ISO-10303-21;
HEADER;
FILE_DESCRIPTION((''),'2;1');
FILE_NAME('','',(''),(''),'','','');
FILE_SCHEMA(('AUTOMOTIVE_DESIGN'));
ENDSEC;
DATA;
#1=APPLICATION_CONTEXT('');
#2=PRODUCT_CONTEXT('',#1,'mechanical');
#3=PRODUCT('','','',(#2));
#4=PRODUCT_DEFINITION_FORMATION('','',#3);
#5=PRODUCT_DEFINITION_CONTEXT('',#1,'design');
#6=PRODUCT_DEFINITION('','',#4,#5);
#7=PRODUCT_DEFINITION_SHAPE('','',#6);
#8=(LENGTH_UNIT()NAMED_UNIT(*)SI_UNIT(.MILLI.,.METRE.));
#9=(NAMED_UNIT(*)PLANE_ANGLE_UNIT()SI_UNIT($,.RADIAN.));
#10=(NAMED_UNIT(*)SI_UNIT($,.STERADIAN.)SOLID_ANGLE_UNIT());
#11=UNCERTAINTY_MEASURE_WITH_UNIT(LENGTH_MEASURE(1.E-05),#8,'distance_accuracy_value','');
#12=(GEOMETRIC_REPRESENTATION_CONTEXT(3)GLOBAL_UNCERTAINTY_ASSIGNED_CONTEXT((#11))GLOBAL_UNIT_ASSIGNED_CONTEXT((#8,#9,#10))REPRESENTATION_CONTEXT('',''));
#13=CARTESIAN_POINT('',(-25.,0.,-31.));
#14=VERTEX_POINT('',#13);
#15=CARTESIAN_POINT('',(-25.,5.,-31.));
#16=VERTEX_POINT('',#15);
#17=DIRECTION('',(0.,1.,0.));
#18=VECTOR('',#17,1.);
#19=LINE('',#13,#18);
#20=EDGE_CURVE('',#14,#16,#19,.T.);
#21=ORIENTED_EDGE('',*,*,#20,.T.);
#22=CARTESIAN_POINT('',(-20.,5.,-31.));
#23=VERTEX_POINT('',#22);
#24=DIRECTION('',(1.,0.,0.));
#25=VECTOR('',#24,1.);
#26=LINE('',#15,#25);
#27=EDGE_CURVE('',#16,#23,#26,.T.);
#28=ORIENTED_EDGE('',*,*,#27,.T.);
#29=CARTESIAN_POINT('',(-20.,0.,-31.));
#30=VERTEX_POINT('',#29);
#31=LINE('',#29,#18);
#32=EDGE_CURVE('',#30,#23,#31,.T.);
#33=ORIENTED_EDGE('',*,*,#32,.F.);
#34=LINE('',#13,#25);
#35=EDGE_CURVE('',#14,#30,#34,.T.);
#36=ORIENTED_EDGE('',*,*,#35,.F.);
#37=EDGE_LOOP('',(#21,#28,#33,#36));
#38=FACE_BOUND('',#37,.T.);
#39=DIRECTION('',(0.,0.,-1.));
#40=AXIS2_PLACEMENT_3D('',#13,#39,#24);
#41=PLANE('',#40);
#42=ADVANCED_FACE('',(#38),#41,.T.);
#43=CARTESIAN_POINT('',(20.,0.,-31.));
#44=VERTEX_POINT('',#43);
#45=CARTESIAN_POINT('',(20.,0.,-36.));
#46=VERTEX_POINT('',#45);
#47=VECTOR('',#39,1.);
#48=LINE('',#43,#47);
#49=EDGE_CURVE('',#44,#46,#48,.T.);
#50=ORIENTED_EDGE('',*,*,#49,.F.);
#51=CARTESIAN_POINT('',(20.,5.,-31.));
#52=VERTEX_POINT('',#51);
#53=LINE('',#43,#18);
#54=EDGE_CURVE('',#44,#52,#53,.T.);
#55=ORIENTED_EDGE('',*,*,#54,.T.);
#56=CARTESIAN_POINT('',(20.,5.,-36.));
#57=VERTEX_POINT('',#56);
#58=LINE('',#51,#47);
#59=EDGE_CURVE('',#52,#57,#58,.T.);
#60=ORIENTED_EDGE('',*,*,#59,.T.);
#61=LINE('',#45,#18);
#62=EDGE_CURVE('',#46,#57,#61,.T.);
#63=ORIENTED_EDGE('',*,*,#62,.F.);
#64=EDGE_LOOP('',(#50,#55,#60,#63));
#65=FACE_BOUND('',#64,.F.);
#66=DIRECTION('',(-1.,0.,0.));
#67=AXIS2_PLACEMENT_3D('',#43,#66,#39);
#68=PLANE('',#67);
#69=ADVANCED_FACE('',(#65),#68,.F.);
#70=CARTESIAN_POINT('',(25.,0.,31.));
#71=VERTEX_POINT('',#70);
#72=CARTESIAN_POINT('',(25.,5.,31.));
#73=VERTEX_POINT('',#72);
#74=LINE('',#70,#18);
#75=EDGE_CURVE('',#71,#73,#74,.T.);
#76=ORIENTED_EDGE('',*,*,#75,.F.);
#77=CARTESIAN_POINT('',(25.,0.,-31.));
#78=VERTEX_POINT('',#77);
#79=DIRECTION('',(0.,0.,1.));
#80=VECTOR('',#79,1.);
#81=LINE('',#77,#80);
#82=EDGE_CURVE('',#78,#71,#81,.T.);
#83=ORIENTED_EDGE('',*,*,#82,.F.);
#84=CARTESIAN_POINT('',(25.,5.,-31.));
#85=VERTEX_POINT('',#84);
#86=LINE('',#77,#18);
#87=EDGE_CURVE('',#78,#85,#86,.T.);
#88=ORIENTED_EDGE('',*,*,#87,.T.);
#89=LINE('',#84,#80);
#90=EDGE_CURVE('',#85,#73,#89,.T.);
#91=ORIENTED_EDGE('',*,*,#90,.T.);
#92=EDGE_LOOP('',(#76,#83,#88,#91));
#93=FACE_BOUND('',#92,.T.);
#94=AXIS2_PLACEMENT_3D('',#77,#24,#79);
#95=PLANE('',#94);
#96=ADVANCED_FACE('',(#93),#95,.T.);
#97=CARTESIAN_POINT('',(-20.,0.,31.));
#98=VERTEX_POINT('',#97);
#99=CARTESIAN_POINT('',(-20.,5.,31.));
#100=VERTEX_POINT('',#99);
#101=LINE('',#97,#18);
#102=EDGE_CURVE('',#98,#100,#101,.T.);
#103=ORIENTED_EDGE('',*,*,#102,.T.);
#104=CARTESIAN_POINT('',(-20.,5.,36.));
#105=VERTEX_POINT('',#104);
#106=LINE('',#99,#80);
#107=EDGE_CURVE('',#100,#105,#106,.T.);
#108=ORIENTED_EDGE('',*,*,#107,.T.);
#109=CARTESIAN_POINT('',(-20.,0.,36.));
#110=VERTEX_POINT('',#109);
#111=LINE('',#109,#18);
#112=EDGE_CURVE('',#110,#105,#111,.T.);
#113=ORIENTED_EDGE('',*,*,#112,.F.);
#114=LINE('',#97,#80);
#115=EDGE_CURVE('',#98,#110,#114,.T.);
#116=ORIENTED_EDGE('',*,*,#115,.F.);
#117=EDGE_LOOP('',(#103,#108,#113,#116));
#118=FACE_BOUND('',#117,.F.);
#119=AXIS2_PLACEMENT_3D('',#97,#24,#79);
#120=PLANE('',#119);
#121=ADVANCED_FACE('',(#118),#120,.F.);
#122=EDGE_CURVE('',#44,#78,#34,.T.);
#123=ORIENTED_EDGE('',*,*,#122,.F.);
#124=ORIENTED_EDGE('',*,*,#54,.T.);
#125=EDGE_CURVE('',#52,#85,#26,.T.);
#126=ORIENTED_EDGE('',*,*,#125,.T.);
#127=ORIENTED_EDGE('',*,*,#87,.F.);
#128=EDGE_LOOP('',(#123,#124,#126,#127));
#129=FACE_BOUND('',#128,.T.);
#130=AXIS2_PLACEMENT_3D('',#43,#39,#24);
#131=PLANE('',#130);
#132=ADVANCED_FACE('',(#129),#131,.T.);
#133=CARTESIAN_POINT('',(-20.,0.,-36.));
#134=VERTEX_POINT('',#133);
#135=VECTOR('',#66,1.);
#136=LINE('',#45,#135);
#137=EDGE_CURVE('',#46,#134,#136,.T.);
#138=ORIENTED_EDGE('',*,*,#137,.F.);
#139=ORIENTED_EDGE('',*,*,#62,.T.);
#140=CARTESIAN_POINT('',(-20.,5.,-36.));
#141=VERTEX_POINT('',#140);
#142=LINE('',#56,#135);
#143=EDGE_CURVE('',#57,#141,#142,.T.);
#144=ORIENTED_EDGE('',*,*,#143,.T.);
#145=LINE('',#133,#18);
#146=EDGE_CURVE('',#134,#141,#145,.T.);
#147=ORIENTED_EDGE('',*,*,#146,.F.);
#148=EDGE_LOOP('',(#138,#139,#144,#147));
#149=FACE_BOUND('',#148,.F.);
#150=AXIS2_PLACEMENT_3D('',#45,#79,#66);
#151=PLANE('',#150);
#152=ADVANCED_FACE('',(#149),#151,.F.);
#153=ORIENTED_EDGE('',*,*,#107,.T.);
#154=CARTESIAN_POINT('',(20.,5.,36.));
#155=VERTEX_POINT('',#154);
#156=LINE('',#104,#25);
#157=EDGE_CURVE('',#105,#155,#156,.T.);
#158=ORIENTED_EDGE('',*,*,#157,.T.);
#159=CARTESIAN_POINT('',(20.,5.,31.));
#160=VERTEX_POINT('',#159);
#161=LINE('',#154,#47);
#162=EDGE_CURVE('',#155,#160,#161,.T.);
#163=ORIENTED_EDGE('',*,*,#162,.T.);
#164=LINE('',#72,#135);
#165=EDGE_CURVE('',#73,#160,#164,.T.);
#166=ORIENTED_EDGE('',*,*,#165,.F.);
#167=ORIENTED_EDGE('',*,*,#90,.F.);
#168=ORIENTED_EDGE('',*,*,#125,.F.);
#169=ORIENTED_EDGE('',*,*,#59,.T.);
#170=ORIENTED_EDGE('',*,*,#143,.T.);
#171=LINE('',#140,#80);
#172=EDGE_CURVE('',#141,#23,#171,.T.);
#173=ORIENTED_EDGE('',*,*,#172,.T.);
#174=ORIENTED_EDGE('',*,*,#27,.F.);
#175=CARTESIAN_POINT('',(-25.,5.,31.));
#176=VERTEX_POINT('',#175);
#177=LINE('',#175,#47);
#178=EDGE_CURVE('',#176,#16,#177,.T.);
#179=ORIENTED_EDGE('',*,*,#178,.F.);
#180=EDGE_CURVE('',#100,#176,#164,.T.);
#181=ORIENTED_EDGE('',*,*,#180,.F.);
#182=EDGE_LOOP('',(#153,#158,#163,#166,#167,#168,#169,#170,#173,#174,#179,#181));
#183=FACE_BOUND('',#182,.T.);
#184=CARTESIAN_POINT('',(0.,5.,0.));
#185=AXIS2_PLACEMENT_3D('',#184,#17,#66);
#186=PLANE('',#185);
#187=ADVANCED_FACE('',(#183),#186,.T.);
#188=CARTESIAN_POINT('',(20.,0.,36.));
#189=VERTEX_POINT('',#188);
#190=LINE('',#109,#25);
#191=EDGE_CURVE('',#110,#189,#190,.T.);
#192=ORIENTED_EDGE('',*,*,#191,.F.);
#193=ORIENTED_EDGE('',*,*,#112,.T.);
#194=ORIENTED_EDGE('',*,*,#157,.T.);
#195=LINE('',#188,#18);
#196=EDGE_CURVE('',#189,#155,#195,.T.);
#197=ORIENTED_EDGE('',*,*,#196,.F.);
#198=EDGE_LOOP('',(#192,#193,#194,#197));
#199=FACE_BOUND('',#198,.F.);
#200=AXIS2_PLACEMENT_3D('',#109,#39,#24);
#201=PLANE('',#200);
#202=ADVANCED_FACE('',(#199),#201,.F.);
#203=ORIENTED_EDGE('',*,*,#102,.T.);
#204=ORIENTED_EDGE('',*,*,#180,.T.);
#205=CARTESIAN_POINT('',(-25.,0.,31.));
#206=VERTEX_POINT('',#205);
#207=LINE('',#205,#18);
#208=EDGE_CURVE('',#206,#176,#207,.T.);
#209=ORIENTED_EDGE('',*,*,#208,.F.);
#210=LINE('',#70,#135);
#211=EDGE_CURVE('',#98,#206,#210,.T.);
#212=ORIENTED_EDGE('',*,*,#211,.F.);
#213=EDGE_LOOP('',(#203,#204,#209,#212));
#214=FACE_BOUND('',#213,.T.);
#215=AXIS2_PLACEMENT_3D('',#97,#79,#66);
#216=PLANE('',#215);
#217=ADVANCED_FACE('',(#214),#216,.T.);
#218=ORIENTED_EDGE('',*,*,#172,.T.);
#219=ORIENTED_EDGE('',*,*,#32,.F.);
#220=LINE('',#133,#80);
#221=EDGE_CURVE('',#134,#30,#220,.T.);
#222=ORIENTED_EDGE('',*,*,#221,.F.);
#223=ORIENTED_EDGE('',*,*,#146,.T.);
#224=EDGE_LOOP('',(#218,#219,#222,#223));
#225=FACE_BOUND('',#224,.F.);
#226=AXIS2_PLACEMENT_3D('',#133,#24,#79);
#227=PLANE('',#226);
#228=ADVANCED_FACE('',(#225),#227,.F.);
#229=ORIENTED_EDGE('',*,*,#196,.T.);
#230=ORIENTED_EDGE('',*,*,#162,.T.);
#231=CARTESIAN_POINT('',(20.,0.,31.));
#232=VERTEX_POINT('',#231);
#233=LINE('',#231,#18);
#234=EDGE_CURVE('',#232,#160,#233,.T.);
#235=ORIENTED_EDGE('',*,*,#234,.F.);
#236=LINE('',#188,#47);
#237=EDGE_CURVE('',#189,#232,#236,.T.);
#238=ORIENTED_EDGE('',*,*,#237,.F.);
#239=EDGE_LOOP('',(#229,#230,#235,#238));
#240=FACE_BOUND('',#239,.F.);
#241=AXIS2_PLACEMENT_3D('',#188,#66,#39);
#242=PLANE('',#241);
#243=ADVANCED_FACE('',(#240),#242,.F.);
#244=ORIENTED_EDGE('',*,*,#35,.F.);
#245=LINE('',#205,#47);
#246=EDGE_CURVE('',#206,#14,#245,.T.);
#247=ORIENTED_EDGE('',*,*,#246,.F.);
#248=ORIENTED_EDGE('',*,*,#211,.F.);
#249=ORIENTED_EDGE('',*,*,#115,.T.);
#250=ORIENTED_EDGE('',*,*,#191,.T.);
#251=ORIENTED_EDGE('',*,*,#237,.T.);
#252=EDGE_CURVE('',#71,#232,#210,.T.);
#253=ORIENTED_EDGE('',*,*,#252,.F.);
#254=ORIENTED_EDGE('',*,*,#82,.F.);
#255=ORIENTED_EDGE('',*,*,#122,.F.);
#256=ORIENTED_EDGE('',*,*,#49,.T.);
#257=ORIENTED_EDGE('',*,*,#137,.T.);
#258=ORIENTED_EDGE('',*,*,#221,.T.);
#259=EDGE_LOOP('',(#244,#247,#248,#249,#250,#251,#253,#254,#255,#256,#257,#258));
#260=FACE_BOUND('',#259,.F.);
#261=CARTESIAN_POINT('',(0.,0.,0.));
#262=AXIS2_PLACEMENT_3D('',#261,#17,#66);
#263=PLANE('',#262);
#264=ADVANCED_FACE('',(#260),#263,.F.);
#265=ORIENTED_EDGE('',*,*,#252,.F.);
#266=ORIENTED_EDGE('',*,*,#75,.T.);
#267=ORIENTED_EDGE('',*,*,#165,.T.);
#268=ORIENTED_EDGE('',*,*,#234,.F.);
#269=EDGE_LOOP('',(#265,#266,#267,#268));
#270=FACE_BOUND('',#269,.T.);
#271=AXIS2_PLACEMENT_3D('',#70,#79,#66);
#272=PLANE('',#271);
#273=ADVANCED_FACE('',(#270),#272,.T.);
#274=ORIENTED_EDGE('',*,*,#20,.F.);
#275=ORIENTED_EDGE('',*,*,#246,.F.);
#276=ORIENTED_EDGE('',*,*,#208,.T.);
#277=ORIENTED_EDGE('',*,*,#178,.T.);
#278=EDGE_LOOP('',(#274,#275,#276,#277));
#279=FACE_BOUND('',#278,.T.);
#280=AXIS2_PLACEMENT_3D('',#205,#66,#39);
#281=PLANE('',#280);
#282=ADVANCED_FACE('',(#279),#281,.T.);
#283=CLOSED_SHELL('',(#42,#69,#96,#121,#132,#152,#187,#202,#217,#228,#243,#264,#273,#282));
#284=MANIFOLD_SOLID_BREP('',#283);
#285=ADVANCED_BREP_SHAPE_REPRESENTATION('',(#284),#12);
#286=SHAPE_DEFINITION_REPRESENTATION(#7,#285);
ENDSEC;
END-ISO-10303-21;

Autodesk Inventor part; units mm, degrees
ref_plane "YZ Plane" through (0, 0, 0) normal (1, 0, 0) x (0, 1, 0)
ref_plane "XZ Plane" through (0, 0, 0) normal (0, 1, 0) x (-1, 0, 0)
ref_plane "XY Plane" through (0, 0, 0) normal (0, 0, 1) x (1, 0, 0)
sketch "Sketch1" plane through (0, 0, 0) normal (0, 1, 0) x (-1, 0, 0)
  line L0 (25, -31) -> (-25, -31)
  line L1 (-25, -31) -> (-25, 31)
  line L2 (-25, 31) -> (25, 31)
  line L3 (25, 31) -> (25, -31)
  line L4 (25, -31) -> (-25, 31) construction
  line L5 (-25, -31) -> (25, 31) construction
  line L6 (-20, -36) -> (20, -36)
  line L7 (20, -36) -> (20, -31)
  line L8 (20, -31) -> (-20, -31)
  line L9 (-20, -31) -> (-20, -36)
  line L10 (-20, -36) -> (20, -31) construction
  line L11 (20, -36) -> (-20, -31) construction
  line L12 (-20, 31) -> (20, 31)
  line L13 (20, 31) -> (20, 36)
  line L14 (20, 36) -> (-20, 36)
  line L15 (-20, 36) -> (-20, 31)
  line L16 (-20, 31) -> (20, 36) construction
  line L17 (20, 31) -> (-20, 36) construction
  line L18 (0, 0) -> (0, -31) construction
  line L19 (0, -33.5) -> (0, -36) construction
  line L20 (0, 33.5) -> (0, 31) construction
  point P0 (-20, 31)
  point P1 (-20, -31)
  point P2 (20, -31)
  point P3 (20, 31)
  dimension "d0" = 5
  dimension "d1" = 5
  dimension "d2" = 40
  dimension "d3" = 40
  dimension "d4" = 62
  dimension "d5" = 50
extrude "Extrusion1" add sketch "Sketch1" along normal blind 5
properties part number "Base Plate Wall" material "PLA 33 Plastic"
